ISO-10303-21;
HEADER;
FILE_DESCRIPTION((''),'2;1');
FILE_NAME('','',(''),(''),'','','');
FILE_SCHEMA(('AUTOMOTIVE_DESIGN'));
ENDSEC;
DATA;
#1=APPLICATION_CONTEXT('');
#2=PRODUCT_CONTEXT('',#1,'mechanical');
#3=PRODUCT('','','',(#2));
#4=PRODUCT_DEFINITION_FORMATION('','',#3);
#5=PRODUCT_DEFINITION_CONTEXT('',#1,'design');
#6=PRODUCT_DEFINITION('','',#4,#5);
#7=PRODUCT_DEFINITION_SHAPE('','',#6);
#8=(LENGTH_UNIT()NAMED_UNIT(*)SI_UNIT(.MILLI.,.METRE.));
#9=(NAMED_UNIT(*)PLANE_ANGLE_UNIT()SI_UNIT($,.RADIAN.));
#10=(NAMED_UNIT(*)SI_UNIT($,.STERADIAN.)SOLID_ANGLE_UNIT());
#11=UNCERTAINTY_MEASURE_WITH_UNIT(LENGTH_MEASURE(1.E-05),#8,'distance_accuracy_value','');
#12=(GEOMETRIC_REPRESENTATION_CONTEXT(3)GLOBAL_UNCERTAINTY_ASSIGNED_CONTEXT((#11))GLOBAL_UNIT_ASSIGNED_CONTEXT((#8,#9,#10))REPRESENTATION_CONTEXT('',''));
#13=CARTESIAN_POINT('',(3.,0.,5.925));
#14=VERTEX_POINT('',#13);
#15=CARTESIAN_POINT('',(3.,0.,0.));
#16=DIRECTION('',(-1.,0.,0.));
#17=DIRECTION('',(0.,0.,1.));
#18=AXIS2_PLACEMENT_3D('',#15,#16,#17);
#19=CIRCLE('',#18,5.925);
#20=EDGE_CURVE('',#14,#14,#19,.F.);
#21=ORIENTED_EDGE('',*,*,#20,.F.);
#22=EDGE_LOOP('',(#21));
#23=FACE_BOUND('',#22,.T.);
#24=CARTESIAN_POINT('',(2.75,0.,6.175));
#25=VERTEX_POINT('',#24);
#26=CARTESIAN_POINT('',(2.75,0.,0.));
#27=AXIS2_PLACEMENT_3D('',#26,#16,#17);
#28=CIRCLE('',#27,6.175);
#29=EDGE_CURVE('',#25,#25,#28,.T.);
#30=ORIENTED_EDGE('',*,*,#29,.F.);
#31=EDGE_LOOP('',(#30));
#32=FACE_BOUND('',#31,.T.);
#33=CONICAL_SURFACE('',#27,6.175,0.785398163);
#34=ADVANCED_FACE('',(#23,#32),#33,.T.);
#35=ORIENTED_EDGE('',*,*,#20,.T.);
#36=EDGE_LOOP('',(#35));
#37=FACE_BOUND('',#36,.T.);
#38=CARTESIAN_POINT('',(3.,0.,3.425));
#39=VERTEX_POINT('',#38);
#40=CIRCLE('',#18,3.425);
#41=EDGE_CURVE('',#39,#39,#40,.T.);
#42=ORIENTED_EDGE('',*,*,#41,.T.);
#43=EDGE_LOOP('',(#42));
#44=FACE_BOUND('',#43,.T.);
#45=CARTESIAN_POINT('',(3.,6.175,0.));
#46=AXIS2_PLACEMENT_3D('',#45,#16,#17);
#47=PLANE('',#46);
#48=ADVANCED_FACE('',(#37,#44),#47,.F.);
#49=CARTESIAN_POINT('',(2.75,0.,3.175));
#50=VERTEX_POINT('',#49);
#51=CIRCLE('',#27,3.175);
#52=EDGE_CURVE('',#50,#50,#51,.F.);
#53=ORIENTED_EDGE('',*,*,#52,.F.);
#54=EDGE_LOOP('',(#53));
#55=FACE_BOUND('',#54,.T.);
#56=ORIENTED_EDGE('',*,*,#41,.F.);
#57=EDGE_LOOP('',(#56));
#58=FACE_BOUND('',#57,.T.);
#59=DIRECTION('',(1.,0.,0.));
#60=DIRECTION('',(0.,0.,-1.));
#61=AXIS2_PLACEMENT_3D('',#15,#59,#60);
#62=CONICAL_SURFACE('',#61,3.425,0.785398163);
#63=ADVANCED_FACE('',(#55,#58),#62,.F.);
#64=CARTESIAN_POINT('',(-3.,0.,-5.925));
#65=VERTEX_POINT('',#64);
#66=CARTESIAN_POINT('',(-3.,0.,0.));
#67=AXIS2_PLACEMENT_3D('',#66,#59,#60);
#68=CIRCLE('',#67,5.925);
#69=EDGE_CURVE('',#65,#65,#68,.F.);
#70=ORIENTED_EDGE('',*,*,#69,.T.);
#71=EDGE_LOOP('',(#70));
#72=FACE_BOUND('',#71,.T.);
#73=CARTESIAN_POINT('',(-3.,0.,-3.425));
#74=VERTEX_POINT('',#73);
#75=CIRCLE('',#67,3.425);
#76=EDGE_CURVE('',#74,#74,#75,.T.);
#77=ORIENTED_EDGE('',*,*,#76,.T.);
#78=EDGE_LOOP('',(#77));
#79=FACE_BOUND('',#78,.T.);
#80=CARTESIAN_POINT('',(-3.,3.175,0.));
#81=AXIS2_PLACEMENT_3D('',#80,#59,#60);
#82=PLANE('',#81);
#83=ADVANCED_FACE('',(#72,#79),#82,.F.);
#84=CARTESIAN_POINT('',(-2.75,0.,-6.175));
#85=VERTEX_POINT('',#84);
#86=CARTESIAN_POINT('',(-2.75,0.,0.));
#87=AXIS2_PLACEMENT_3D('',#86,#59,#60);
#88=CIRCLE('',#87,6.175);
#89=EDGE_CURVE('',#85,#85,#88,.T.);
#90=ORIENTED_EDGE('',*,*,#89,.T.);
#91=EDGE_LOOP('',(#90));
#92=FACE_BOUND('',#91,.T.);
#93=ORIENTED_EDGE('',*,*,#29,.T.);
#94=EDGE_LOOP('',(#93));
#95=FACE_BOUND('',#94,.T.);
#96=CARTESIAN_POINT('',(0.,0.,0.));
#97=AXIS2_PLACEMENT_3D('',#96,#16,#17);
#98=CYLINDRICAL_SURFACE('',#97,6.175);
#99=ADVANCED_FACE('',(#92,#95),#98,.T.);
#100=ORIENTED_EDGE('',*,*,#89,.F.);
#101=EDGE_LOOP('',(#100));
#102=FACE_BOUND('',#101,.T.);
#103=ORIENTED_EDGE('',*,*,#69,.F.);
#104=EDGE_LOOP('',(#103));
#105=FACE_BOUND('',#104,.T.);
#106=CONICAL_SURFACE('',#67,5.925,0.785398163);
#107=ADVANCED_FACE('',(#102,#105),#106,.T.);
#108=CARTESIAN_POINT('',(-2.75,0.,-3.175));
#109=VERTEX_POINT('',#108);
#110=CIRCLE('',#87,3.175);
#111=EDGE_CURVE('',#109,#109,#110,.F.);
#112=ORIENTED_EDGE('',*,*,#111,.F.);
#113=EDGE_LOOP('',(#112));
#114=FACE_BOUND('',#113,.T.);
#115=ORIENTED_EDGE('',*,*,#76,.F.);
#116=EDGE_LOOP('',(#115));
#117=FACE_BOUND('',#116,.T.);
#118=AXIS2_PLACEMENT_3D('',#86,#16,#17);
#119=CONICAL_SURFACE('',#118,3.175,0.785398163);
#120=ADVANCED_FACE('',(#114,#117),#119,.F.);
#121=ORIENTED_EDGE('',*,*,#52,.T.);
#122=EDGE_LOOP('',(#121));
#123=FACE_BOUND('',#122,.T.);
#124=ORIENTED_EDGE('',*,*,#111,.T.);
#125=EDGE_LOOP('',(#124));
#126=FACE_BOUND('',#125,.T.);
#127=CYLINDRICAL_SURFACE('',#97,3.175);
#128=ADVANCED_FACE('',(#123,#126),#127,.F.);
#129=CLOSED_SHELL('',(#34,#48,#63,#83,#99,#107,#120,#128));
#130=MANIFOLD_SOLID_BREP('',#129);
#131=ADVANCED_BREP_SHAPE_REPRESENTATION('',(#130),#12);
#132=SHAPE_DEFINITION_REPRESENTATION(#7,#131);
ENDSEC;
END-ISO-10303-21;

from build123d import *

# Parameters (mm, degrees)
SKETCH1_W     = 6
SKETCH1_H     = 3
CHAMFER1_SIZE = 0.25


with BuildPart() as part:
    # Sketch1 → Revolve1 (revolve)
    with BuildSketch(Plane.XY, mode=Mode.PRIVATE) as revolve1_sk:
        with Locations((0, 4.675)):
            Rectangle(SKETCH1_W, SKETCH1_H)
    revolve(revolve1_sk.sketch.rotate(Axis((0, 0, 0), (1, 0, 0)), 90), axis=Axis((0, 0, 0), (1, 0, 0)))

    # Chamfer1
    chamfer1_edges = [part.edges().sort_by_distance(p)[0] for p in [
        (-3, 0, -3.175),
        (3, 0, -3.175),
        (3, 0, -6.175),
        (-3, 0, -6.175),
    ]]
    chamfer(chamfer1_edges, length=CHAMFER1_SIZE)


solid = part.part
